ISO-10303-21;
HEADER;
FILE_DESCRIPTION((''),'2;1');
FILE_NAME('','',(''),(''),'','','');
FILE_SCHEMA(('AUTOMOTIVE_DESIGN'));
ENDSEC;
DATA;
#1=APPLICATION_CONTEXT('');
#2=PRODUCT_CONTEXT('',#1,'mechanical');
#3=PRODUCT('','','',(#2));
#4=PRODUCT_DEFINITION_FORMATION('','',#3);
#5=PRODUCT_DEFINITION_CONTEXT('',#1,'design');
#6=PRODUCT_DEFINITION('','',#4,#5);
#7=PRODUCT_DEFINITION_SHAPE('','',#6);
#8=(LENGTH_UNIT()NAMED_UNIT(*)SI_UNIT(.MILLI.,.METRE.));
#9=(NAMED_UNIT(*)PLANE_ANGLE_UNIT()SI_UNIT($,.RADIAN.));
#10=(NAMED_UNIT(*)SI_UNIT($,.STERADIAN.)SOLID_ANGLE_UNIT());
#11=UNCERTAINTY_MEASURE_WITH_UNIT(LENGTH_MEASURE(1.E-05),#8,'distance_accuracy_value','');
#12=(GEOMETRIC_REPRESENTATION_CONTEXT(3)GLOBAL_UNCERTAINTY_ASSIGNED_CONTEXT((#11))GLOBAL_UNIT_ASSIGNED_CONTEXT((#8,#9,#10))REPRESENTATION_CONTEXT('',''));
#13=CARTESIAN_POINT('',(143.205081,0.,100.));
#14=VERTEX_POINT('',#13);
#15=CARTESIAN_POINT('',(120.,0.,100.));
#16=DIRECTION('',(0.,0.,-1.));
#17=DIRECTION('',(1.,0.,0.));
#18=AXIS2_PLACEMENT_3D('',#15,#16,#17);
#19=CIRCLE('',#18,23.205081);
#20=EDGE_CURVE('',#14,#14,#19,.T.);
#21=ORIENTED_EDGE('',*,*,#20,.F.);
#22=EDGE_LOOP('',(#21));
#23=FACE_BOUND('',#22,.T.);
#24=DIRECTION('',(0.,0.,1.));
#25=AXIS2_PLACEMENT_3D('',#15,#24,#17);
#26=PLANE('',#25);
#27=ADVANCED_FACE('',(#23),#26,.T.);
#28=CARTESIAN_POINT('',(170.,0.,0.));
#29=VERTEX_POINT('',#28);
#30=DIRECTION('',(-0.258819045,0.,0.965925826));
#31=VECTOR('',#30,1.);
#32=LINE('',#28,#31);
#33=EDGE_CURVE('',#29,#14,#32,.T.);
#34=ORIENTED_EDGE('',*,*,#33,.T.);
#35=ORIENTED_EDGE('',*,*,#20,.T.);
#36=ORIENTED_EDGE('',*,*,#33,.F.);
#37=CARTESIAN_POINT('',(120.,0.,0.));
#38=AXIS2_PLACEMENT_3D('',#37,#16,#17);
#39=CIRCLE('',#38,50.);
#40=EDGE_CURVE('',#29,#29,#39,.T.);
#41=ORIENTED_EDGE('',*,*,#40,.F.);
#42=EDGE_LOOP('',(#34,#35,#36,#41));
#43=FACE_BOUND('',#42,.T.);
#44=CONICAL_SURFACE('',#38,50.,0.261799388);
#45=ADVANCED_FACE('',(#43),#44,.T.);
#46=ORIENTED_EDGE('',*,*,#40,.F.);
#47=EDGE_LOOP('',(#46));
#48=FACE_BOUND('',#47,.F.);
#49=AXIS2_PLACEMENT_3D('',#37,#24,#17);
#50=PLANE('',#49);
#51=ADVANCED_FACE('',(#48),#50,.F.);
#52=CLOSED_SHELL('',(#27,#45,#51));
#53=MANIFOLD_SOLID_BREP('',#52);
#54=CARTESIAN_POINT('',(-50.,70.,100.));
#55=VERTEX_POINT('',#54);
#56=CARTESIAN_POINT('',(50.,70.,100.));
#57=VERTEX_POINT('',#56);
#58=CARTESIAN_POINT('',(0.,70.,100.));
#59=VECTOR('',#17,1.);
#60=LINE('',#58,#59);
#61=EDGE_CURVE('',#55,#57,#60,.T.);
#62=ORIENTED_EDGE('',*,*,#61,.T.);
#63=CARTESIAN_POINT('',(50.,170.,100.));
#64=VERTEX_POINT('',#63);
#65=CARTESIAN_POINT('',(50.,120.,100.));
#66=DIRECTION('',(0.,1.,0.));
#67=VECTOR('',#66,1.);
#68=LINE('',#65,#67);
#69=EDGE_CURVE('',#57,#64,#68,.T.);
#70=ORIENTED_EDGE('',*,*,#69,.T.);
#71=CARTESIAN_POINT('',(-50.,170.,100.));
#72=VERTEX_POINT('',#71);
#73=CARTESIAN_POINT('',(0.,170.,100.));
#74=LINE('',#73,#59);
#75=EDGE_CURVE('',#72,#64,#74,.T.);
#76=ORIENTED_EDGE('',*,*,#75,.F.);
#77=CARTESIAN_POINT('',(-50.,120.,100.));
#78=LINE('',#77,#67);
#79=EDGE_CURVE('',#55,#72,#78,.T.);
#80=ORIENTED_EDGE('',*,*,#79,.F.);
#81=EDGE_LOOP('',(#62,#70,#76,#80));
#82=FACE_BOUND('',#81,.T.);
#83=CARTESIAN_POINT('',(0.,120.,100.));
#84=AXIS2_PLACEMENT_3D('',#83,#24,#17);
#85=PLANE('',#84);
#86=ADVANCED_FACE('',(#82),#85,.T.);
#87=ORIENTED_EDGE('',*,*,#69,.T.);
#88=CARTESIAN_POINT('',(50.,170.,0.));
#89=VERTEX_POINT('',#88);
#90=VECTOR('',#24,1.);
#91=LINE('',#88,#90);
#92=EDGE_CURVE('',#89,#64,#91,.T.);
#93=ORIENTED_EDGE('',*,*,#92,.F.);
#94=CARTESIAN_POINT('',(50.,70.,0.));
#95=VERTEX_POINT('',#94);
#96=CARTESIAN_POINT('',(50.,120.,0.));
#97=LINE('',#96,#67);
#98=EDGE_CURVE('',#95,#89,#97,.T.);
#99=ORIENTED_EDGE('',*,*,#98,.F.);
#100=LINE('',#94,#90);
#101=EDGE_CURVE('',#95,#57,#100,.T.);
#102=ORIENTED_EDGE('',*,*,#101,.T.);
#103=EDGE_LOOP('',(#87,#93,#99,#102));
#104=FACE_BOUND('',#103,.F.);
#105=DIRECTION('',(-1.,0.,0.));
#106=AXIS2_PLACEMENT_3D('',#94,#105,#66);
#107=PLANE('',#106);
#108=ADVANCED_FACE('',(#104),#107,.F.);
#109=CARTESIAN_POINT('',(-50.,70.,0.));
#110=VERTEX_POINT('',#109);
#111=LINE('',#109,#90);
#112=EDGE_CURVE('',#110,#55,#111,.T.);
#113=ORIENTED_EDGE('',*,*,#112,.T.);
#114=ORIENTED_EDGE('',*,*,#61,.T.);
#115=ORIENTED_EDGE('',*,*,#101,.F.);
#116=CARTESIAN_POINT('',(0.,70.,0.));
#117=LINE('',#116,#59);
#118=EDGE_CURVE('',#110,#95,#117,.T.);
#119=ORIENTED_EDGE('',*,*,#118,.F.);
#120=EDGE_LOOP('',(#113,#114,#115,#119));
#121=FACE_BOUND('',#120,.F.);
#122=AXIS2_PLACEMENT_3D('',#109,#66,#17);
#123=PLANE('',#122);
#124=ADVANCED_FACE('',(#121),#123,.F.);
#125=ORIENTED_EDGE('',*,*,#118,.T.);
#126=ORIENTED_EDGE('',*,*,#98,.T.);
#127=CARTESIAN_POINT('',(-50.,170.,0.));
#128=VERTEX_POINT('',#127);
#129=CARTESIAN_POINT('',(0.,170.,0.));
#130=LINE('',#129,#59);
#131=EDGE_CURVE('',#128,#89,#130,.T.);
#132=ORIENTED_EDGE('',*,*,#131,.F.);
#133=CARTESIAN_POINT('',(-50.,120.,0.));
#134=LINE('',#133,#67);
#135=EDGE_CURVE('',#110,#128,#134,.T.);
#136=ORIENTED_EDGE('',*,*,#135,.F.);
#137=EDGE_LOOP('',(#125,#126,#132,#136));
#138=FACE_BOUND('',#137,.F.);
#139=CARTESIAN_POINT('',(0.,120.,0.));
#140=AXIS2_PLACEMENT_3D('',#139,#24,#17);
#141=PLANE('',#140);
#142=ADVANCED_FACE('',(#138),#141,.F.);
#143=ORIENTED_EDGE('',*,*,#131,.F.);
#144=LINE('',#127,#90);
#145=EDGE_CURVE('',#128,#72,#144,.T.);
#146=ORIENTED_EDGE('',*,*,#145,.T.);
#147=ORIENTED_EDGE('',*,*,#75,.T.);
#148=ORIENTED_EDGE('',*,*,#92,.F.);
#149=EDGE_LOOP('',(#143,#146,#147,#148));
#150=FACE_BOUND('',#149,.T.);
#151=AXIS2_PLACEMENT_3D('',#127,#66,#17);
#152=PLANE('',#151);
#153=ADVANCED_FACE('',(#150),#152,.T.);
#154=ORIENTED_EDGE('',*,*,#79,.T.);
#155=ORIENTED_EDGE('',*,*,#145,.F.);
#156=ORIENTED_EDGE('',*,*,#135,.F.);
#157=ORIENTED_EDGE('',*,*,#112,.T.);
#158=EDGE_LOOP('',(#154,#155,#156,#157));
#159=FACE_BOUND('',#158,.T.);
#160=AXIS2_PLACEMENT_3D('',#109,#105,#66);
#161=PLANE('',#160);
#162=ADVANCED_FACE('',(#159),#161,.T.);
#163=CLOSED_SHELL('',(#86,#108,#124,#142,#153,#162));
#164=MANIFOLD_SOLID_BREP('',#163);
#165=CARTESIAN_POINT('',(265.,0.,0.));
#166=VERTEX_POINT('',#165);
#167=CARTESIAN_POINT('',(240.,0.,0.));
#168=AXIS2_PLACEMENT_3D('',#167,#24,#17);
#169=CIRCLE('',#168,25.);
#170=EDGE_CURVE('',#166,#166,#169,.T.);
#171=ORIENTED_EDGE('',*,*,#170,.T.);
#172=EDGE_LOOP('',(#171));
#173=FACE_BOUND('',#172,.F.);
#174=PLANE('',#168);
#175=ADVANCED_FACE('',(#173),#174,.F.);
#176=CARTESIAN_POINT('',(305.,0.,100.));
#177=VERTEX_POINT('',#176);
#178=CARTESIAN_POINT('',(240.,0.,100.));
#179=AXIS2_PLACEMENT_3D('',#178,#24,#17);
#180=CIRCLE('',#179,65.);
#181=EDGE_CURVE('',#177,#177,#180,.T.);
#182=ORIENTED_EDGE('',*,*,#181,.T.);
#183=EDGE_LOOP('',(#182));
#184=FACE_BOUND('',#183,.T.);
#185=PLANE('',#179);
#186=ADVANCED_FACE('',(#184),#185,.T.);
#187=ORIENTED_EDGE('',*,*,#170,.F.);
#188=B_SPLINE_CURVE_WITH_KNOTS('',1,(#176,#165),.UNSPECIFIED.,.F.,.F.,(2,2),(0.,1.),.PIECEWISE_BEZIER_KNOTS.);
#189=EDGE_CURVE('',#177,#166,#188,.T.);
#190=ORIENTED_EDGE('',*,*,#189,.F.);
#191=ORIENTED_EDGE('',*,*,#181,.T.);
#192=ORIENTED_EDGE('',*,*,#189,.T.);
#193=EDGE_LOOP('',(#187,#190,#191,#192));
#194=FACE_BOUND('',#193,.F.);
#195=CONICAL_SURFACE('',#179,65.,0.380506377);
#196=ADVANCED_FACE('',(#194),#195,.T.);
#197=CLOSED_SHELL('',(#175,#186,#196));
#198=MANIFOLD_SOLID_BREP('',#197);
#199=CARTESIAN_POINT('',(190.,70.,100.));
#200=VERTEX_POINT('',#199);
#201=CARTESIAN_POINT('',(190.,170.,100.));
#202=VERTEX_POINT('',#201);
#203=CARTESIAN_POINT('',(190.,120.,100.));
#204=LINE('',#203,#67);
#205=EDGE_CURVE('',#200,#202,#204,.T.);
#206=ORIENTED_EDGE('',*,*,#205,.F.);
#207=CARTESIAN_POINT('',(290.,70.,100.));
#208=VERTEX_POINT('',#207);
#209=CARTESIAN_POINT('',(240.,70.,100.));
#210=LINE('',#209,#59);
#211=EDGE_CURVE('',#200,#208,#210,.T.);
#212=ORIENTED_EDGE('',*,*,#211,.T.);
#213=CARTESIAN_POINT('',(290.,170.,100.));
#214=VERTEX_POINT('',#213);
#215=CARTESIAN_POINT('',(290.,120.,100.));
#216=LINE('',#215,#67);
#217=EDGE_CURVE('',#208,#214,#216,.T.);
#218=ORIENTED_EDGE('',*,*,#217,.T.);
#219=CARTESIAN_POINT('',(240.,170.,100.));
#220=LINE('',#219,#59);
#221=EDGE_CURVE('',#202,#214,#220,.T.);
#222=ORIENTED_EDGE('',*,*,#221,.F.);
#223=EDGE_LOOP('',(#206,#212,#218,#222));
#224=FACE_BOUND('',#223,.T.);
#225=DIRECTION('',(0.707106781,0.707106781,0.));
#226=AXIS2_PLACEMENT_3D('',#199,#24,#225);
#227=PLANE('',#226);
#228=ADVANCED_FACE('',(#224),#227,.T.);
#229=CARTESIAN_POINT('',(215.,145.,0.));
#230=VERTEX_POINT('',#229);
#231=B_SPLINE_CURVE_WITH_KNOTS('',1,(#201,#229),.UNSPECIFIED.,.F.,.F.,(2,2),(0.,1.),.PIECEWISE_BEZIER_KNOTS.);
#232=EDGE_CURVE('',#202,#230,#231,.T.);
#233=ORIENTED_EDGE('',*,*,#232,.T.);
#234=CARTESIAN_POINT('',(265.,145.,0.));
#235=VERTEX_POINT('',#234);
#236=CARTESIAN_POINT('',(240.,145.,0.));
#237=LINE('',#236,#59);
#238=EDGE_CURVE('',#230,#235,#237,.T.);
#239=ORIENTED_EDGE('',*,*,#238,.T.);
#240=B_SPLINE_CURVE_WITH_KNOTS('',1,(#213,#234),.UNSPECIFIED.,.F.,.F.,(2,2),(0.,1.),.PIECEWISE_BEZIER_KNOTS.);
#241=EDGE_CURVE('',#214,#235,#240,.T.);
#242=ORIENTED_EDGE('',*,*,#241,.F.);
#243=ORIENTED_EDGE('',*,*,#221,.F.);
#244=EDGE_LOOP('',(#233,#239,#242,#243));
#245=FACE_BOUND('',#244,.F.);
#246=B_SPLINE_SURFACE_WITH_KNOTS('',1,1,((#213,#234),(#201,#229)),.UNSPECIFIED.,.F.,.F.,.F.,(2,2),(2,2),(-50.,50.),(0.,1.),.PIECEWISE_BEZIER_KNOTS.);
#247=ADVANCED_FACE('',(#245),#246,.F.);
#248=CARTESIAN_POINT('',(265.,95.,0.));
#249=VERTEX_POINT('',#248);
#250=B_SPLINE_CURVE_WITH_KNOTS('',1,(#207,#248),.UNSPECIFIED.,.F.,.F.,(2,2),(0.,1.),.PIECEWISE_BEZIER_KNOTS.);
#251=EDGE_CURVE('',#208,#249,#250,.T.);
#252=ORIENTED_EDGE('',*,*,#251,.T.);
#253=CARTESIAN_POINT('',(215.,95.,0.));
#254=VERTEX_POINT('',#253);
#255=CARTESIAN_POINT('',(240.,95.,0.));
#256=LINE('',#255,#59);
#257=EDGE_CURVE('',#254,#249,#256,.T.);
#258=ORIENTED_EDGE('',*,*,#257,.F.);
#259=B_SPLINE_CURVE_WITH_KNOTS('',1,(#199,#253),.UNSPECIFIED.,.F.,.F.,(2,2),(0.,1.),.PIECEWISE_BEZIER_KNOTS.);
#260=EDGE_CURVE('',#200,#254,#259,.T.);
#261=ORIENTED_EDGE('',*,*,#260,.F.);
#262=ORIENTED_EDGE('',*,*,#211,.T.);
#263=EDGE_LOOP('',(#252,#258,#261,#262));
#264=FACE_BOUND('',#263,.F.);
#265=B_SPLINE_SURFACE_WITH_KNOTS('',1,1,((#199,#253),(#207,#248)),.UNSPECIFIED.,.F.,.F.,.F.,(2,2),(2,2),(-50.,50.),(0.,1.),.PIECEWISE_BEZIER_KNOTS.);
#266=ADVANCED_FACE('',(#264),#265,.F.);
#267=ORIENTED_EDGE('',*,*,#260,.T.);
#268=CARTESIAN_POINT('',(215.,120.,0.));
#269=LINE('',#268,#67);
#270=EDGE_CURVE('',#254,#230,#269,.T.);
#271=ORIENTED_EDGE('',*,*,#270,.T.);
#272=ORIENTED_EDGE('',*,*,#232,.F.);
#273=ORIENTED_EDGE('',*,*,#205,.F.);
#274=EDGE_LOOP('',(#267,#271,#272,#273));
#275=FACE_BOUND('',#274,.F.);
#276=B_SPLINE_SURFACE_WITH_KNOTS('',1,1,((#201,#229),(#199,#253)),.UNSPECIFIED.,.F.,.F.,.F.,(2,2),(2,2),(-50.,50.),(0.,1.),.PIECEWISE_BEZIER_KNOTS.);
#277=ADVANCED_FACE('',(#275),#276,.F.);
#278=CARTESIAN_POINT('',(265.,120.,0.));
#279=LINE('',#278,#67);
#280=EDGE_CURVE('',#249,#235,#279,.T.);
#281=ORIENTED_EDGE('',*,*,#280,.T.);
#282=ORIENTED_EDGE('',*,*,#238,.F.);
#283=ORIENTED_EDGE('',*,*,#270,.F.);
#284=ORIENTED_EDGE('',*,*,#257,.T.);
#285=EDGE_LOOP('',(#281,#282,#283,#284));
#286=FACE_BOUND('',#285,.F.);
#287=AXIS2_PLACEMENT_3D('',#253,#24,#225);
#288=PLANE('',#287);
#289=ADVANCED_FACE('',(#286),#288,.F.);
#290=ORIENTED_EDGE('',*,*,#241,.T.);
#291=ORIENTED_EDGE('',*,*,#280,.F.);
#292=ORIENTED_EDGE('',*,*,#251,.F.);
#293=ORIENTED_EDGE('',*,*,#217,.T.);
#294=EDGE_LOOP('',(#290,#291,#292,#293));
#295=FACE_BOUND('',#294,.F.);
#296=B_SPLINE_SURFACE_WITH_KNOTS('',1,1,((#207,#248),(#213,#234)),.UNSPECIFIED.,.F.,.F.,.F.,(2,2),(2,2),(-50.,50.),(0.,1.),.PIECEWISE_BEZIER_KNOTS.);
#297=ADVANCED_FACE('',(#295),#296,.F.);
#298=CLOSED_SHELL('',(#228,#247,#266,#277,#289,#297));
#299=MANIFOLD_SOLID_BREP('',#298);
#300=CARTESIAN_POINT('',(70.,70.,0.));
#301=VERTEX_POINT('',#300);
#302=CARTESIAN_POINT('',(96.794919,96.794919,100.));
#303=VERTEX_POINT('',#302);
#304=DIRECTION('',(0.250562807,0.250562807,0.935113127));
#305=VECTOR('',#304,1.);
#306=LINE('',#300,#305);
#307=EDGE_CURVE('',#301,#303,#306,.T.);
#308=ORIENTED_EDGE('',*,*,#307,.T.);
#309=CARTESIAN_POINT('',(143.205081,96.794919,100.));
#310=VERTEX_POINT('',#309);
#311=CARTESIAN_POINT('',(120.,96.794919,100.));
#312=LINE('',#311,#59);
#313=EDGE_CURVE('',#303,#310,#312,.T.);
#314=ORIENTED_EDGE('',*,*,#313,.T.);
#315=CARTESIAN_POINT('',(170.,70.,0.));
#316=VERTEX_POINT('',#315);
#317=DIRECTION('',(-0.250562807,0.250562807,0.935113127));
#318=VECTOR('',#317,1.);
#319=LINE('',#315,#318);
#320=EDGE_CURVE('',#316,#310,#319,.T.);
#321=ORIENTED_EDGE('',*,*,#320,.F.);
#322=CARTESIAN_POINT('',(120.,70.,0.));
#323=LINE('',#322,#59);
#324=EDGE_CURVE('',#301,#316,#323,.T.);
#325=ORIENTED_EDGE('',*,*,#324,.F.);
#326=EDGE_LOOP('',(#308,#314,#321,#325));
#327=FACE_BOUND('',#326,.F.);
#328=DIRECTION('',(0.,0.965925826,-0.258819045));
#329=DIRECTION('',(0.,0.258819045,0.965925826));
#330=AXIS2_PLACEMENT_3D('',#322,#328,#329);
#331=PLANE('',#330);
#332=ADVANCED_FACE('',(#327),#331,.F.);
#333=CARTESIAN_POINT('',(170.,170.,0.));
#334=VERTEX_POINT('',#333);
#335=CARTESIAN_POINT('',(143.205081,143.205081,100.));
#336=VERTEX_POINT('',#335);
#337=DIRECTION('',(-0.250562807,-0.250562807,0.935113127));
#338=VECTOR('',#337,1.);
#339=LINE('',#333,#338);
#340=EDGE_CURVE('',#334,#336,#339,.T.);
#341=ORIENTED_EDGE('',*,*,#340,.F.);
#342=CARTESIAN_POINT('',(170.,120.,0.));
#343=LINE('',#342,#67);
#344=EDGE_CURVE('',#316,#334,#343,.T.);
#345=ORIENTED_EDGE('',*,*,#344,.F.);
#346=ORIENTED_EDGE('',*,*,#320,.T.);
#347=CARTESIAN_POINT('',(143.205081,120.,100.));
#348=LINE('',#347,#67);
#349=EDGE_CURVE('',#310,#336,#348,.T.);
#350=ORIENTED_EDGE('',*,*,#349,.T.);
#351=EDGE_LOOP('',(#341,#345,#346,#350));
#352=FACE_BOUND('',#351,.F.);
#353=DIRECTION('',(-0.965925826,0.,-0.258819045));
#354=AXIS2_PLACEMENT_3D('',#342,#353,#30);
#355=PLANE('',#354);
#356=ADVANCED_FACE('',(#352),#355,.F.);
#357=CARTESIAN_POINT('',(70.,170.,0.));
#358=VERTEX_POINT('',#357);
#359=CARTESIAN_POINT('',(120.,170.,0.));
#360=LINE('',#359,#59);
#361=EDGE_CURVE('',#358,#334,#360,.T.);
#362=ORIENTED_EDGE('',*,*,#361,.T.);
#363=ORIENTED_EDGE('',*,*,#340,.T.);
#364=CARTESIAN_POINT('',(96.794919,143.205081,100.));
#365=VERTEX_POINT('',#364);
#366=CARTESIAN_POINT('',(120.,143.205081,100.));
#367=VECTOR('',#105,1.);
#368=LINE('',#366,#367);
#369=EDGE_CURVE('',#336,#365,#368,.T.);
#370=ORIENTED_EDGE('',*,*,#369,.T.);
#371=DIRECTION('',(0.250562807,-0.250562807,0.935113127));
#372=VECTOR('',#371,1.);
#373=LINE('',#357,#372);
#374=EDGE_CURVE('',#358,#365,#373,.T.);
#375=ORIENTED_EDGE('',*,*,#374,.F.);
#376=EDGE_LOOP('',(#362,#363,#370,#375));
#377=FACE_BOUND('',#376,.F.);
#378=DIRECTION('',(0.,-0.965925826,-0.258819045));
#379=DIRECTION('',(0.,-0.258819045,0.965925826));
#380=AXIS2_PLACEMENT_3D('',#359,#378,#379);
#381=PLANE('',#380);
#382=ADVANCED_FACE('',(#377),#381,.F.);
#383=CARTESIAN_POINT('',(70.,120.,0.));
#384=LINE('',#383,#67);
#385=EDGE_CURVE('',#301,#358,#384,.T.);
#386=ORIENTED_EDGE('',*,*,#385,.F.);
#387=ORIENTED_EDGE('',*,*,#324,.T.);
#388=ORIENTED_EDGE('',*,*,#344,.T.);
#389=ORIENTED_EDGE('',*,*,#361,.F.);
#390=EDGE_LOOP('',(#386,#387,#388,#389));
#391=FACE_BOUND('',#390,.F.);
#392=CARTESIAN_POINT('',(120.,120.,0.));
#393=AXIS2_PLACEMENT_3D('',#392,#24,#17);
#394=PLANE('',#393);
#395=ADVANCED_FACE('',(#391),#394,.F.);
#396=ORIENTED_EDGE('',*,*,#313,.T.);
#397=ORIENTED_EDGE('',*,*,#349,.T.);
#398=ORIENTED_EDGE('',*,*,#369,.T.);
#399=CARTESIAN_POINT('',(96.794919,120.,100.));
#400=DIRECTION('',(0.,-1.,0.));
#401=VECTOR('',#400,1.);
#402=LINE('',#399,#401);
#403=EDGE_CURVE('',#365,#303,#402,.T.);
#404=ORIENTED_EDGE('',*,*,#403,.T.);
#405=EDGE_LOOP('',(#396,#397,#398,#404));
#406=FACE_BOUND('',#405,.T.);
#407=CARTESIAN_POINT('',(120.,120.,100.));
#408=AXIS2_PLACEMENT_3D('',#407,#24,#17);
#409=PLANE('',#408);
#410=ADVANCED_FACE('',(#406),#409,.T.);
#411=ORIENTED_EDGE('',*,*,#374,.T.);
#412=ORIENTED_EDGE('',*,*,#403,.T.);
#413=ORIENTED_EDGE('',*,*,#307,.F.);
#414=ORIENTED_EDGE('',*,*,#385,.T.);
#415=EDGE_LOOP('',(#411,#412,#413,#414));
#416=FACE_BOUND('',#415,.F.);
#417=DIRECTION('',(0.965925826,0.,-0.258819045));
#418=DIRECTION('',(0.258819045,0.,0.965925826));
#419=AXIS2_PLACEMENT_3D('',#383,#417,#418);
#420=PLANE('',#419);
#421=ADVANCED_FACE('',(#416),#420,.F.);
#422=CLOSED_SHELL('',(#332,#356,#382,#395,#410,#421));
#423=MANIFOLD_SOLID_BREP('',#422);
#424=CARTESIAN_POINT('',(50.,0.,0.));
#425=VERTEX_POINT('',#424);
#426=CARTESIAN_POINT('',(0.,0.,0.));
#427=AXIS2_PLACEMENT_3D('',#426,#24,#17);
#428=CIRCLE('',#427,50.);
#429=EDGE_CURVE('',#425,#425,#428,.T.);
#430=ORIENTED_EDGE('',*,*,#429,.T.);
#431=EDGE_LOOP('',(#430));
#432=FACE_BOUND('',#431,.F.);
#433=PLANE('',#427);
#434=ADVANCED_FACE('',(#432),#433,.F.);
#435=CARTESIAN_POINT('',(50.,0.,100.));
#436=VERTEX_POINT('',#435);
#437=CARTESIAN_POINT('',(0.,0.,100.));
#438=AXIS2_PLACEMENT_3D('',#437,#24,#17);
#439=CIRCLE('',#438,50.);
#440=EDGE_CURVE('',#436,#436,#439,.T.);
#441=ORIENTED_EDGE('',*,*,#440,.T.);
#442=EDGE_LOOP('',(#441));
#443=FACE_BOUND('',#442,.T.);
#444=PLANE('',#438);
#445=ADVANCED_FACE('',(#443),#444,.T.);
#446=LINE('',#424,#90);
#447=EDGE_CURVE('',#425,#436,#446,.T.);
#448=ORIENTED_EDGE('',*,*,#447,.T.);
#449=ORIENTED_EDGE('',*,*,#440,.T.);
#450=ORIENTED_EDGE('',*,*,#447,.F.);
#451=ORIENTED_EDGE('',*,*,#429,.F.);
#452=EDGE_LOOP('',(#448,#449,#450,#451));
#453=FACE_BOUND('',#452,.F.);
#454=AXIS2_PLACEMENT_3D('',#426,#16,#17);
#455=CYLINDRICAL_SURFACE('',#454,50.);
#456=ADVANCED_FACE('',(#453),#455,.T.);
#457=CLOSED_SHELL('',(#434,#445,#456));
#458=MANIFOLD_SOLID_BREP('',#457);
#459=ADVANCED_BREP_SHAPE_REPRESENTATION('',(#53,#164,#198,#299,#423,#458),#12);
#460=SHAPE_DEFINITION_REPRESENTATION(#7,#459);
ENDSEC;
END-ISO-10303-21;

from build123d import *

# Parameters (mm, degrees)
F0_R     = 50
F1_DEPTH = 100
F3_DEPTH = 100
F3_TAPER = 15
F4_R     = 65
F0_R_2   = 25
F0_W     = 100
F0_H     = 100
F6_DEPTH = 100
F6_TAPER = 15
F7_DEPTH = 100
F8_W     = 100
F8_H     = 100
F0_W_2   = 50
F0_H_2   = 50


with BuildPart() as f1:
    # F0 (on Top) → F1 (new body)
    with BuildSketch(Plane.XY):
        Circle(F0_R)
    extrude(amount=F1_DEPTH)


with BuildPart() as f3:
    # F0 (on Top) → F3 (new body)
    with BuildSketch(Plane.XY):
        with Locations((120, 0)):
            Circle(F0_R)
    extrude(amount=F3_DEPTH, taper=F3_TAPER)


with BuildPart() as f5:
    # F4 (on offset) → F5 section 0
    with BuildSketch(Plane.XY.offset(100)):
        with Locations((240, 0)):
            Circle(F4_R)
    # F0 (on Top) → F5 section 1
    with BuildSketch(Plane.XY):
        with Locations((240, 0)):
            Circle(F0_R_2)
    loft()


with BuildPart() as f6:
    # F0 (on Top) → F6 (new body)
    with BuildSketch(Plane.XY):
        with Locations((120, 120)):
            Rectangle(F0_W, F0_H)
    extrude(amount=F6_DEPTH, taper=F6_TAPER)


with BuildPart() as f7:
    # F0 (on Top) → F7 (new body)
    with BuildSketch(Plane.XY):
        with Locations((0, 120)):
            Rectangle(F0_W, F0_H)
    extrude(amount=F7_DEPTH)


with BuildPart() as f9:
    # F8 (on offset) → F9 section 0
    with BuildSketch(Plane.XY.offset(100)):
        with Locations((240, 120)):
            Rectangle(F8_W, F8_H)
    # F0 (on Top) → F9 section 1
    with BuildSketch(Plane.XY):
        with Locations((240, 120)):
            Rectangle(F0_W_2, F0_H_2)
    loft()


solid = Compound([f1.part, f3.part, f5.part, f6.part, f7.part, f9.part])
